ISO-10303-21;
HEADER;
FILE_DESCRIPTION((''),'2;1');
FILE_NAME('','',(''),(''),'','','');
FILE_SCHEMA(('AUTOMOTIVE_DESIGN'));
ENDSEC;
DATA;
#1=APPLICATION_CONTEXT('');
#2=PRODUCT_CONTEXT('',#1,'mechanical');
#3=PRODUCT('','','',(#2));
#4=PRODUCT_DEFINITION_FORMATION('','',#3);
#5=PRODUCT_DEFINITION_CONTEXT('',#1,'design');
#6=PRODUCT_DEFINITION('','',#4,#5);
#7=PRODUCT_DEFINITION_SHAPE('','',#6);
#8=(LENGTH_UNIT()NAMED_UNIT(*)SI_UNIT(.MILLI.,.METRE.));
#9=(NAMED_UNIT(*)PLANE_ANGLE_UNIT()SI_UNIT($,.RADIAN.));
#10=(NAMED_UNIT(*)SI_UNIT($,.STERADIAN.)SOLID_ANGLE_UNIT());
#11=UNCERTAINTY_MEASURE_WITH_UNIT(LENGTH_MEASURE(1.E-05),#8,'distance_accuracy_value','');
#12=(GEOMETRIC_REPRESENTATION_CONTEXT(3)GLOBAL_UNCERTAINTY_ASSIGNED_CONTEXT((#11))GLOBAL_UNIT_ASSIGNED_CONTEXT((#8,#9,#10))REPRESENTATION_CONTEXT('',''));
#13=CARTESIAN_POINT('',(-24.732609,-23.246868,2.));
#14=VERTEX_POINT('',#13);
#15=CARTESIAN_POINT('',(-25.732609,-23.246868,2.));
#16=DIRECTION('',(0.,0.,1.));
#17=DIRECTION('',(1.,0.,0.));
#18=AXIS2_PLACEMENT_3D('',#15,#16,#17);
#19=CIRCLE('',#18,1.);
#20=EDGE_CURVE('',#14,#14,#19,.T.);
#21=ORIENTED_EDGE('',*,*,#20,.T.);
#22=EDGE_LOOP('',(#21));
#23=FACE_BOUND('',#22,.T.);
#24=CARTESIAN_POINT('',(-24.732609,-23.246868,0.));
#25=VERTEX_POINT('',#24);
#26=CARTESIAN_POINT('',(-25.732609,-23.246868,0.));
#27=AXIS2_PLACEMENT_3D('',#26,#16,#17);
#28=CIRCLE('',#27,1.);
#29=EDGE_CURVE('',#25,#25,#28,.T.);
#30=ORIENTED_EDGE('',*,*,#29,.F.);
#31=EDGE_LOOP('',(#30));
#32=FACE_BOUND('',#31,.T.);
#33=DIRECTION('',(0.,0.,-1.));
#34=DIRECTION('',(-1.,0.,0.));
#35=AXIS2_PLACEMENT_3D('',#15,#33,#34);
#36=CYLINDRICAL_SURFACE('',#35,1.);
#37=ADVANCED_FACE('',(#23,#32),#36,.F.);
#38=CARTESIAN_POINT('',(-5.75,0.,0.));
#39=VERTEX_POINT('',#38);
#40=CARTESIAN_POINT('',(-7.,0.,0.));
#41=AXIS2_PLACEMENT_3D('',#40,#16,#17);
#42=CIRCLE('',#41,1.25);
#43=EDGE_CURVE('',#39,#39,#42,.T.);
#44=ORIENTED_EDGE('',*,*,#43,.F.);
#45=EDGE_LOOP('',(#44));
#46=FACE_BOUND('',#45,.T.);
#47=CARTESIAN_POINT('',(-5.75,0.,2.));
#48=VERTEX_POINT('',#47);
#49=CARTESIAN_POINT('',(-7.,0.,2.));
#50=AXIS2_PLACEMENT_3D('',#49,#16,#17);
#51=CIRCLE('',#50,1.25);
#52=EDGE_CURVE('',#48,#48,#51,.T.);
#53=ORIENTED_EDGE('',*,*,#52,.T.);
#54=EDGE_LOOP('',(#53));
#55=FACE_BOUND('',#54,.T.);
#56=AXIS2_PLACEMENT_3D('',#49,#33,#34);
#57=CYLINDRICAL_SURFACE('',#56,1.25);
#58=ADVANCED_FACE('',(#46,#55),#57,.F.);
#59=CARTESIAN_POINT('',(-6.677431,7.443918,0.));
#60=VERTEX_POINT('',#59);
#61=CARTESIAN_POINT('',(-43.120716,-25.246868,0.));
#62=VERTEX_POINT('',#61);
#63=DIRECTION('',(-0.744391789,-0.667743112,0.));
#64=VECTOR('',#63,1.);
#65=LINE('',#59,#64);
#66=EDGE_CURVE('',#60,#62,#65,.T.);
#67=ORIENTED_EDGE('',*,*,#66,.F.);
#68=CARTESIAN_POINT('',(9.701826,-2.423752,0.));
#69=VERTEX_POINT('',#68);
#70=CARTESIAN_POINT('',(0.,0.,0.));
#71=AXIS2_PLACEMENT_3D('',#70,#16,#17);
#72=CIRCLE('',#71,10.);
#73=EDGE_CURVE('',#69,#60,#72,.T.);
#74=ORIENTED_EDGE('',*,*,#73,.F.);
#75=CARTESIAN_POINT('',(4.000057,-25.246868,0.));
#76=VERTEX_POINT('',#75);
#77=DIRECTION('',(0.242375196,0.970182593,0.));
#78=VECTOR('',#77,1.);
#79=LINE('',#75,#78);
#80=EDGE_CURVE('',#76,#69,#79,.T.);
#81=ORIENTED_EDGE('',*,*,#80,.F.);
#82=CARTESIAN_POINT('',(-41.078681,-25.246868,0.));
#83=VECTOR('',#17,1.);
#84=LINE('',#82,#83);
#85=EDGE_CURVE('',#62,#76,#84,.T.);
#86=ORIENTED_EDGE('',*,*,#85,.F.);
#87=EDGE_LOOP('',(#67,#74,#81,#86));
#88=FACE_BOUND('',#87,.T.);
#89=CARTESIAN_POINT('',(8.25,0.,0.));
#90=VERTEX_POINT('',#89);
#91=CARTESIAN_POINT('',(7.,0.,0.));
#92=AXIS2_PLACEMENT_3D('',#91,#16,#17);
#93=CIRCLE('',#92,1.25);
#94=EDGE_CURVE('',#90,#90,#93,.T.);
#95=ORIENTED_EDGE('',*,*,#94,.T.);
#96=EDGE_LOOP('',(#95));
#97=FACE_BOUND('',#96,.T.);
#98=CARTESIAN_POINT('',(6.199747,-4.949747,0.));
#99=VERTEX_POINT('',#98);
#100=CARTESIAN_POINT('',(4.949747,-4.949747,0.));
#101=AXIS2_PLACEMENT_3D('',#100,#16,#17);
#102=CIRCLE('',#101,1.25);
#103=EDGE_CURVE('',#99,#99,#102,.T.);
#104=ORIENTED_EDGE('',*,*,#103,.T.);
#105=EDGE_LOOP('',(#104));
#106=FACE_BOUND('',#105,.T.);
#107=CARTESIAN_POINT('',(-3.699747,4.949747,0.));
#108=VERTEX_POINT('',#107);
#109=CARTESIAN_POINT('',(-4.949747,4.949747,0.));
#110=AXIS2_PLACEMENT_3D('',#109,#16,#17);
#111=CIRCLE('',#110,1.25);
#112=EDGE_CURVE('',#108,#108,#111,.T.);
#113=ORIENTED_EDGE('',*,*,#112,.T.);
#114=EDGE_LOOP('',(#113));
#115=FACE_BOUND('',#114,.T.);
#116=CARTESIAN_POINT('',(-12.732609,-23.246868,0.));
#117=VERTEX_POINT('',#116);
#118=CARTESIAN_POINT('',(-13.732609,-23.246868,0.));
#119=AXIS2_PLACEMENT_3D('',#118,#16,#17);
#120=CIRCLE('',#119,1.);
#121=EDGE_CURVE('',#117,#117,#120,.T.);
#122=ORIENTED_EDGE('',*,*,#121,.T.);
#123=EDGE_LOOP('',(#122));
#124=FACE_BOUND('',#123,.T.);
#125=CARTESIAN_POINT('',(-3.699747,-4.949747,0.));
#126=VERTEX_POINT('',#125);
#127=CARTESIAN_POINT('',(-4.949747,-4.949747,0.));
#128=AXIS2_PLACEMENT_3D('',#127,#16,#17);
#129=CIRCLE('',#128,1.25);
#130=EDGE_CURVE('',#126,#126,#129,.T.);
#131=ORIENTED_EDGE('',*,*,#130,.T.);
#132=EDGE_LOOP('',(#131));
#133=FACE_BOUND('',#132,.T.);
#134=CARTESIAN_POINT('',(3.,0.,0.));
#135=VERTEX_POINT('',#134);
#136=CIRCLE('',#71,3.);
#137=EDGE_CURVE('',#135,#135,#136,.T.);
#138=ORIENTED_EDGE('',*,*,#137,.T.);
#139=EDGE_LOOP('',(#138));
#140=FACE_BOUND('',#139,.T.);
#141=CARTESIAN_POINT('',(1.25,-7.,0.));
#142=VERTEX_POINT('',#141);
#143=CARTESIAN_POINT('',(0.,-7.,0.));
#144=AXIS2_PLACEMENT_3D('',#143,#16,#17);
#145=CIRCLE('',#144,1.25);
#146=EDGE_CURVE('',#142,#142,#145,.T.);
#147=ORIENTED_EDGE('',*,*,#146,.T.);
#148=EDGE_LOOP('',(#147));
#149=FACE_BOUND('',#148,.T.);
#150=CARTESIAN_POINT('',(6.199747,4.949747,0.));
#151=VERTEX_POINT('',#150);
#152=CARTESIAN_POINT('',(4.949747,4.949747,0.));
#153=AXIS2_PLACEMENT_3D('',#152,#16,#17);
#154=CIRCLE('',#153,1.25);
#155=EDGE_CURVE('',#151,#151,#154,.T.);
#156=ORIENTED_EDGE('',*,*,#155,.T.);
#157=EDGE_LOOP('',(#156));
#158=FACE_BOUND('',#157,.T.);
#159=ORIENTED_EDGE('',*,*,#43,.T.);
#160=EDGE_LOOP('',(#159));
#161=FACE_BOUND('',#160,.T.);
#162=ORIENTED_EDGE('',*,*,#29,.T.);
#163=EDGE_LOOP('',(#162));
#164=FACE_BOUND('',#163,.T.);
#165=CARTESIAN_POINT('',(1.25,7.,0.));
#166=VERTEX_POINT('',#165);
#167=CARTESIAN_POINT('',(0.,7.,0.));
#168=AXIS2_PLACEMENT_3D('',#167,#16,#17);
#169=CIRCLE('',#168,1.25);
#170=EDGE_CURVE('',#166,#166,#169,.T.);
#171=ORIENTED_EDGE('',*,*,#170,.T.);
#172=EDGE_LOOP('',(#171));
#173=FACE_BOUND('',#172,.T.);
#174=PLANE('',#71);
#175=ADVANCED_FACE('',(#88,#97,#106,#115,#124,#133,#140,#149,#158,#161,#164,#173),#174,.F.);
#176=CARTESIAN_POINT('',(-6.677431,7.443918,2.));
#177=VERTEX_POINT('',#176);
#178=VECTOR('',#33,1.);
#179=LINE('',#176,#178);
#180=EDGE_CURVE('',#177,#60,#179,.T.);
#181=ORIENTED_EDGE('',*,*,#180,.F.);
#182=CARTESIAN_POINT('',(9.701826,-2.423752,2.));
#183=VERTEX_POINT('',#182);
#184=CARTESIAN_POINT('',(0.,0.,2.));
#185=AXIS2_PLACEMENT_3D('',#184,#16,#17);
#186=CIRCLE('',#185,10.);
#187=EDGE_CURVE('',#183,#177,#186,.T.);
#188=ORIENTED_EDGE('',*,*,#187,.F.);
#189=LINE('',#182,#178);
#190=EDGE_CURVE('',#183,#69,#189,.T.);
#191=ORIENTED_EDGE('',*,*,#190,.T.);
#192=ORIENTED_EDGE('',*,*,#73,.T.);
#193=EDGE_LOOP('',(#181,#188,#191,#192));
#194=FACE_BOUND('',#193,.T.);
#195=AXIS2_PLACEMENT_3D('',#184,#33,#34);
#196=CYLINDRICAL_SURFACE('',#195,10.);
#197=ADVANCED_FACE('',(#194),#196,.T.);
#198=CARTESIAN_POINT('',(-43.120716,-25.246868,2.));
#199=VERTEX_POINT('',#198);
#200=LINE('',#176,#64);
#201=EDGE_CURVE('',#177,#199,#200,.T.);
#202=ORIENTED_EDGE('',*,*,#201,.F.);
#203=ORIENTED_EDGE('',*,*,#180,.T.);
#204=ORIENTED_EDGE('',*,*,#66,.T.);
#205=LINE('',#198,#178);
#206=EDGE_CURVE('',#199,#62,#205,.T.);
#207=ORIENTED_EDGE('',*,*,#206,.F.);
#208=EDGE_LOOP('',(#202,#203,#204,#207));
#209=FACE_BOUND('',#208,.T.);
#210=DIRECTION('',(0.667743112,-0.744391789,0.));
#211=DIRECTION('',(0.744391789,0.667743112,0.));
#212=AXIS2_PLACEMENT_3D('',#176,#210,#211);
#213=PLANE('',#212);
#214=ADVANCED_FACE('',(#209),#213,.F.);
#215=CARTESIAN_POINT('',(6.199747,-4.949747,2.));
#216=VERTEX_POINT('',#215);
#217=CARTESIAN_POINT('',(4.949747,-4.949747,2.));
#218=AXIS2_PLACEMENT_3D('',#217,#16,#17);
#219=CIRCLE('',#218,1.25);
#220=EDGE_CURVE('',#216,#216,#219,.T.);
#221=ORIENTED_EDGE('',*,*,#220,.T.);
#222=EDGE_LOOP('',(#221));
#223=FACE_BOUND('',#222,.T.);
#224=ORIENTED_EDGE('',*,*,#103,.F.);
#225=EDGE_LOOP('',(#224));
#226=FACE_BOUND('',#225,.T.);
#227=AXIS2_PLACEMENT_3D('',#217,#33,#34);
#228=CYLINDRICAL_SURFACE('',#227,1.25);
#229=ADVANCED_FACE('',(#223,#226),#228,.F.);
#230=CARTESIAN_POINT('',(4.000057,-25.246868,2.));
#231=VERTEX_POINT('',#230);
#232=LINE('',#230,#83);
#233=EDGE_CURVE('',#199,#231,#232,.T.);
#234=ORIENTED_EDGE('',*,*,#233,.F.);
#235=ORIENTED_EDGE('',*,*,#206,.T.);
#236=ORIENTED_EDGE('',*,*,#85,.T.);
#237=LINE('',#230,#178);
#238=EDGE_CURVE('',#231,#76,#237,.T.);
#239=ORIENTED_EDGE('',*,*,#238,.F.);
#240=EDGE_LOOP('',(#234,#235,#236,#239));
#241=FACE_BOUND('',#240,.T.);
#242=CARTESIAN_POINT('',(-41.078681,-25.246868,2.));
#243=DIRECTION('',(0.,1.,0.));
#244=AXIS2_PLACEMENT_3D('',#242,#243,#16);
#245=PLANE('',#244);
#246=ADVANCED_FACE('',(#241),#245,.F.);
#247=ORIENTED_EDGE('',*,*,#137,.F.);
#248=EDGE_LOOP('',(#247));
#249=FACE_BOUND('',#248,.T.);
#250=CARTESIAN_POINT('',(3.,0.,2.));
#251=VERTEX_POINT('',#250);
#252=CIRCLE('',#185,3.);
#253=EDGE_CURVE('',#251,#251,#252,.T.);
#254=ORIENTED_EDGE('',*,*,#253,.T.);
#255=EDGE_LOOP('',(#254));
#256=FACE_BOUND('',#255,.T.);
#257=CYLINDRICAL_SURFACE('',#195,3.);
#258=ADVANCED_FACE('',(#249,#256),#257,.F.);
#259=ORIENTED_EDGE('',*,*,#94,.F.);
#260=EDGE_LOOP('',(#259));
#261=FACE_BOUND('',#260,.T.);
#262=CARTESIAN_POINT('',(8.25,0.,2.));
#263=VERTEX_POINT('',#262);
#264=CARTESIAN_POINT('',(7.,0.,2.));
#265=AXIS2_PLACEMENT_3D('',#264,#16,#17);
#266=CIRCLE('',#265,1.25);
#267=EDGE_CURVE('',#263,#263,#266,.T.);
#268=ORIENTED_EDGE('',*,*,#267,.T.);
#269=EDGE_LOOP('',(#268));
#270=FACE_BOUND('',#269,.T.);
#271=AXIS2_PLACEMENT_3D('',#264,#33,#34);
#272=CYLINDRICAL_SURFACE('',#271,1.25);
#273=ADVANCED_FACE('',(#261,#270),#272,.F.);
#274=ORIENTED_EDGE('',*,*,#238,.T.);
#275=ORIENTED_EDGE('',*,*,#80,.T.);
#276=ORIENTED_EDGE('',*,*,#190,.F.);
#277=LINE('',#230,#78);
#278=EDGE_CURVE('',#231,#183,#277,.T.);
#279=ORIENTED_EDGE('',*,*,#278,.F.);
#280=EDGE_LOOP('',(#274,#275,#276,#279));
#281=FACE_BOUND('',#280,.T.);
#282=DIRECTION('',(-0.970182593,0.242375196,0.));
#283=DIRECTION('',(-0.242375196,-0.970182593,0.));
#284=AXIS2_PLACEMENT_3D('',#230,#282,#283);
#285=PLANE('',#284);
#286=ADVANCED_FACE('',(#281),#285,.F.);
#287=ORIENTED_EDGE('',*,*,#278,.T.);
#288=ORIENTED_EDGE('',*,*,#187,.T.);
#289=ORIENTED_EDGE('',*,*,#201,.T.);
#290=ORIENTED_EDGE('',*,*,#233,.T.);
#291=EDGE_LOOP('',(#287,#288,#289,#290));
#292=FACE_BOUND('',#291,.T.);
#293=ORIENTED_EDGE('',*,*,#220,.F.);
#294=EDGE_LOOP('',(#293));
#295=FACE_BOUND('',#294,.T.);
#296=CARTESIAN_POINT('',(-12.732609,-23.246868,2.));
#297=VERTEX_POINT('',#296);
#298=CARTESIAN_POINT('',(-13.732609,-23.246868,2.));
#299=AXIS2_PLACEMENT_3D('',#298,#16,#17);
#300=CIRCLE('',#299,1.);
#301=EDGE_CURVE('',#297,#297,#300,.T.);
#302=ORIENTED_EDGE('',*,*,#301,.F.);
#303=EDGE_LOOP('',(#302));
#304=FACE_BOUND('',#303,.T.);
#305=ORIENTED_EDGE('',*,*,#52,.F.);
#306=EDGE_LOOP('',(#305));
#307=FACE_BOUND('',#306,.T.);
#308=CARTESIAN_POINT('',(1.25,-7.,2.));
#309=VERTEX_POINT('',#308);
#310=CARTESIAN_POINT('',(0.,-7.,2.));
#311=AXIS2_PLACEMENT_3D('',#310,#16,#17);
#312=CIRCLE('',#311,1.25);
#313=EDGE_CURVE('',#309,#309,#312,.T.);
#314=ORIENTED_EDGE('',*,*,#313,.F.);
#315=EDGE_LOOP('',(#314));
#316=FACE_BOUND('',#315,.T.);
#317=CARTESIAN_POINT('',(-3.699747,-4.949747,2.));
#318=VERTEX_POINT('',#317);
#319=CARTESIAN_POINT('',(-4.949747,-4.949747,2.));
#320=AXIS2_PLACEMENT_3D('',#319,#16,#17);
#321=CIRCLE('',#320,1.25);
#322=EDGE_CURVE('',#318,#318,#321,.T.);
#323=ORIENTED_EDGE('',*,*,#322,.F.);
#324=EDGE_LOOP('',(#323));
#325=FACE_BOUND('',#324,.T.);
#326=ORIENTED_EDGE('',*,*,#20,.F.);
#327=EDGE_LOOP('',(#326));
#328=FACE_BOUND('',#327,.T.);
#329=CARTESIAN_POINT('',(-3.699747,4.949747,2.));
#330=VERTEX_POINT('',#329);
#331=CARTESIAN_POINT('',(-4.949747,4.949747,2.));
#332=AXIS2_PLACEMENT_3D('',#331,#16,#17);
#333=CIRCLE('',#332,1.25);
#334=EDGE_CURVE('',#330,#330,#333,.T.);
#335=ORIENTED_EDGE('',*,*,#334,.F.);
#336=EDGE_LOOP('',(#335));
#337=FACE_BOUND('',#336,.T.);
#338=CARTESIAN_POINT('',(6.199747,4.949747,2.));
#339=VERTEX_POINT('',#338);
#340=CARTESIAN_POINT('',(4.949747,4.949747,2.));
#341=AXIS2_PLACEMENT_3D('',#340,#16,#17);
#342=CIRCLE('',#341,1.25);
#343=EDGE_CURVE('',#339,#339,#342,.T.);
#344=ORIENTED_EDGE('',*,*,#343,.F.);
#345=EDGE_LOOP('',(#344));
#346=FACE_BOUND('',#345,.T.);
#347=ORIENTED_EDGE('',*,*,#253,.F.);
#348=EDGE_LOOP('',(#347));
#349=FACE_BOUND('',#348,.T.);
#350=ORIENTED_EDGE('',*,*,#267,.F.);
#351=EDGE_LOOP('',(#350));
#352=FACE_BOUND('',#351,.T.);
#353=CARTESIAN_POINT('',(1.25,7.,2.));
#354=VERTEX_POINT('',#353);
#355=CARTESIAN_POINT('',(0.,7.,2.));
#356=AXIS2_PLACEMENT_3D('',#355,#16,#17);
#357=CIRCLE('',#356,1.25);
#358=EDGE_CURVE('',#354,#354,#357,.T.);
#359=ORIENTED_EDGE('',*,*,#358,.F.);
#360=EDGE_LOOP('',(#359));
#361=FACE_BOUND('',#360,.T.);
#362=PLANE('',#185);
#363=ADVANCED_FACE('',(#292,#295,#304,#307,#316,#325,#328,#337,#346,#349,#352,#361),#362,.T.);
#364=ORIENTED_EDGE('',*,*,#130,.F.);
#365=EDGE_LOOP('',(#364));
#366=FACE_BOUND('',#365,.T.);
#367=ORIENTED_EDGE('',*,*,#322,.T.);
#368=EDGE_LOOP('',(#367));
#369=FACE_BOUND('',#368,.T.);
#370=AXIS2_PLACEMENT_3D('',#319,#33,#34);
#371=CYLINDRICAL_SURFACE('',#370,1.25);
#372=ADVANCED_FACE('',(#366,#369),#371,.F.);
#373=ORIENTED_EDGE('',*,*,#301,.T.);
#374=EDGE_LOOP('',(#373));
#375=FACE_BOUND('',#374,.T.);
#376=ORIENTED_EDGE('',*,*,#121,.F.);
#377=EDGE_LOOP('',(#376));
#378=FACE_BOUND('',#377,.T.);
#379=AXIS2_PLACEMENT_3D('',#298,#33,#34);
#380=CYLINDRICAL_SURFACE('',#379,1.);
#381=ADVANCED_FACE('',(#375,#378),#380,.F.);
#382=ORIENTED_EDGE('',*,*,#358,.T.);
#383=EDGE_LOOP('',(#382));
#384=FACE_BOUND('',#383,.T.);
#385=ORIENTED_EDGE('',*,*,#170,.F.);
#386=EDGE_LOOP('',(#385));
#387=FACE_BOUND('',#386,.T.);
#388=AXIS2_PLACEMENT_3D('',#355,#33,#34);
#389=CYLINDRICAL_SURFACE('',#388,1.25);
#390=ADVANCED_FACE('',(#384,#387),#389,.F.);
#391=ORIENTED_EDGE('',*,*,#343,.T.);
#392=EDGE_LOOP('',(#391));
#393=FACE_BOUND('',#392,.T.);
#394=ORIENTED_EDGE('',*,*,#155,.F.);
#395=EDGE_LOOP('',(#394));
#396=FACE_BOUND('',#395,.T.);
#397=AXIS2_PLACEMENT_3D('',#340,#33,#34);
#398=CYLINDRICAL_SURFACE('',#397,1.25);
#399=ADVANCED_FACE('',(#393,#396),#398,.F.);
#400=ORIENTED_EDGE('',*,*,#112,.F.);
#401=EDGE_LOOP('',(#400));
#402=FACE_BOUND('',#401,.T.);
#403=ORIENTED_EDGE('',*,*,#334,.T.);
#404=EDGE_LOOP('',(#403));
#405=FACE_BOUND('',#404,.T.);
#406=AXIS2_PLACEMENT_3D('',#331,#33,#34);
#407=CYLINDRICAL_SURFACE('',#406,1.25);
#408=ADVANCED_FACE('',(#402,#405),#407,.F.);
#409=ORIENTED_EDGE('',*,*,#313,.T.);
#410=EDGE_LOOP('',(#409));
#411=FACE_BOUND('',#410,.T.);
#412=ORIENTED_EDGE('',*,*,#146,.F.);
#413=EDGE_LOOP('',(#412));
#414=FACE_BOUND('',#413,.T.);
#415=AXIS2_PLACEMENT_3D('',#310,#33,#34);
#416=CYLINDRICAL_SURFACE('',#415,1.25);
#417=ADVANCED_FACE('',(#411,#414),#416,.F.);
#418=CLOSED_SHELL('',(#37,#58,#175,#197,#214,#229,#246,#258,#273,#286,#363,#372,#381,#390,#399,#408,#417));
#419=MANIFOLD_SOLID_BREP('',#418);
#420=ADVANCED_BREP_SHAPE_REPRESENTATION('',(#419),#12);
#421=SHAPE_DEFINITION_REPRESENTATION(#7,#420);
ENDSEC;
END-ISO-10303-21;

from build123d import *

# Parameters (mm, degrees)
SKETCH_1_R      = 3
SKETCH_1_R_2    = 1.25
SKETCH_1_R_3    = 1
EXTRUDE_1_DEPTH = 2


with BuildPart() as part:
    # 草圖1 → 填料-伸長1 (new body)
    with BuildSketch(Plane.XY):
        with BuildLine():
            Line((-41.078680873, -25.246867961), (3.125001345, -25.246867961))
            Line((3.125001345, -25.246867961), (4.000056753, -25.246867961))
            Line((4.000056753, -25.246867961), (9.701825934, -2.423751958))
            ThreePointArc((9.701825934, -2.423751958), (5.1603748, 8.56566004), (-6.677431122, 7.443917894))
            Line((-6.677431122, 7.443917894), (-43.120716176, -25.246867961))
            Line((-43.120716176, -25.246867961), (-41.078680873, -25.246867961))
        make_face()
        Circle(SKETCH_1_R, mode=Mode.SUBTRACT)
        with Locations((0, 7)):
            Circle(SKETCH_1_R_2, mode=Mode.SUBTRACT)
        with Locations((4.949747468, 4.949747468)):
            Circle(SKETCH_1_R_2, mode=Mode.SUBTRACT)
        with Locations((7, 0)):
            Circle(SKETCH_1_R_2, mode=Mode.SUBTRACT)
        with Locations((4.949747468, -4.949747468)):
            Circle(SKETCH_1_R_2, mode=Mode.SUBTRACT)
        with Locations((0, -7)):
            Circle(SKETCH_1_R_2, mode=Mode.SUBTRACT)
        with Locations((-4.949747468, -4.949747468)):
            Circle(SKETCH_1_R_2, mode=Mode.SUBTRACT)
        with Locations((-7, 0)):
            Circle(SKETCH_1_R_2, mode=Mode.SUBTRACT)
        with Locations((-4.949747468, 4.949747468)):
            Circle(SKETCH_1_R_2, mode=Mode.SUBTRACT)
        with Locations((-13.732609449, -23.246867961)):
            Circle(SKETCH_1_R_3, mode=Mode.SUBTRACT)
        with Locations((-25.732609449, -23.246867961)):
            Circle(SKETCH_1_R_3, mode=Mode.SUBTRACT)
    extrude(amount=EXTRUDE_1_DEPTH)


solid = part.part
